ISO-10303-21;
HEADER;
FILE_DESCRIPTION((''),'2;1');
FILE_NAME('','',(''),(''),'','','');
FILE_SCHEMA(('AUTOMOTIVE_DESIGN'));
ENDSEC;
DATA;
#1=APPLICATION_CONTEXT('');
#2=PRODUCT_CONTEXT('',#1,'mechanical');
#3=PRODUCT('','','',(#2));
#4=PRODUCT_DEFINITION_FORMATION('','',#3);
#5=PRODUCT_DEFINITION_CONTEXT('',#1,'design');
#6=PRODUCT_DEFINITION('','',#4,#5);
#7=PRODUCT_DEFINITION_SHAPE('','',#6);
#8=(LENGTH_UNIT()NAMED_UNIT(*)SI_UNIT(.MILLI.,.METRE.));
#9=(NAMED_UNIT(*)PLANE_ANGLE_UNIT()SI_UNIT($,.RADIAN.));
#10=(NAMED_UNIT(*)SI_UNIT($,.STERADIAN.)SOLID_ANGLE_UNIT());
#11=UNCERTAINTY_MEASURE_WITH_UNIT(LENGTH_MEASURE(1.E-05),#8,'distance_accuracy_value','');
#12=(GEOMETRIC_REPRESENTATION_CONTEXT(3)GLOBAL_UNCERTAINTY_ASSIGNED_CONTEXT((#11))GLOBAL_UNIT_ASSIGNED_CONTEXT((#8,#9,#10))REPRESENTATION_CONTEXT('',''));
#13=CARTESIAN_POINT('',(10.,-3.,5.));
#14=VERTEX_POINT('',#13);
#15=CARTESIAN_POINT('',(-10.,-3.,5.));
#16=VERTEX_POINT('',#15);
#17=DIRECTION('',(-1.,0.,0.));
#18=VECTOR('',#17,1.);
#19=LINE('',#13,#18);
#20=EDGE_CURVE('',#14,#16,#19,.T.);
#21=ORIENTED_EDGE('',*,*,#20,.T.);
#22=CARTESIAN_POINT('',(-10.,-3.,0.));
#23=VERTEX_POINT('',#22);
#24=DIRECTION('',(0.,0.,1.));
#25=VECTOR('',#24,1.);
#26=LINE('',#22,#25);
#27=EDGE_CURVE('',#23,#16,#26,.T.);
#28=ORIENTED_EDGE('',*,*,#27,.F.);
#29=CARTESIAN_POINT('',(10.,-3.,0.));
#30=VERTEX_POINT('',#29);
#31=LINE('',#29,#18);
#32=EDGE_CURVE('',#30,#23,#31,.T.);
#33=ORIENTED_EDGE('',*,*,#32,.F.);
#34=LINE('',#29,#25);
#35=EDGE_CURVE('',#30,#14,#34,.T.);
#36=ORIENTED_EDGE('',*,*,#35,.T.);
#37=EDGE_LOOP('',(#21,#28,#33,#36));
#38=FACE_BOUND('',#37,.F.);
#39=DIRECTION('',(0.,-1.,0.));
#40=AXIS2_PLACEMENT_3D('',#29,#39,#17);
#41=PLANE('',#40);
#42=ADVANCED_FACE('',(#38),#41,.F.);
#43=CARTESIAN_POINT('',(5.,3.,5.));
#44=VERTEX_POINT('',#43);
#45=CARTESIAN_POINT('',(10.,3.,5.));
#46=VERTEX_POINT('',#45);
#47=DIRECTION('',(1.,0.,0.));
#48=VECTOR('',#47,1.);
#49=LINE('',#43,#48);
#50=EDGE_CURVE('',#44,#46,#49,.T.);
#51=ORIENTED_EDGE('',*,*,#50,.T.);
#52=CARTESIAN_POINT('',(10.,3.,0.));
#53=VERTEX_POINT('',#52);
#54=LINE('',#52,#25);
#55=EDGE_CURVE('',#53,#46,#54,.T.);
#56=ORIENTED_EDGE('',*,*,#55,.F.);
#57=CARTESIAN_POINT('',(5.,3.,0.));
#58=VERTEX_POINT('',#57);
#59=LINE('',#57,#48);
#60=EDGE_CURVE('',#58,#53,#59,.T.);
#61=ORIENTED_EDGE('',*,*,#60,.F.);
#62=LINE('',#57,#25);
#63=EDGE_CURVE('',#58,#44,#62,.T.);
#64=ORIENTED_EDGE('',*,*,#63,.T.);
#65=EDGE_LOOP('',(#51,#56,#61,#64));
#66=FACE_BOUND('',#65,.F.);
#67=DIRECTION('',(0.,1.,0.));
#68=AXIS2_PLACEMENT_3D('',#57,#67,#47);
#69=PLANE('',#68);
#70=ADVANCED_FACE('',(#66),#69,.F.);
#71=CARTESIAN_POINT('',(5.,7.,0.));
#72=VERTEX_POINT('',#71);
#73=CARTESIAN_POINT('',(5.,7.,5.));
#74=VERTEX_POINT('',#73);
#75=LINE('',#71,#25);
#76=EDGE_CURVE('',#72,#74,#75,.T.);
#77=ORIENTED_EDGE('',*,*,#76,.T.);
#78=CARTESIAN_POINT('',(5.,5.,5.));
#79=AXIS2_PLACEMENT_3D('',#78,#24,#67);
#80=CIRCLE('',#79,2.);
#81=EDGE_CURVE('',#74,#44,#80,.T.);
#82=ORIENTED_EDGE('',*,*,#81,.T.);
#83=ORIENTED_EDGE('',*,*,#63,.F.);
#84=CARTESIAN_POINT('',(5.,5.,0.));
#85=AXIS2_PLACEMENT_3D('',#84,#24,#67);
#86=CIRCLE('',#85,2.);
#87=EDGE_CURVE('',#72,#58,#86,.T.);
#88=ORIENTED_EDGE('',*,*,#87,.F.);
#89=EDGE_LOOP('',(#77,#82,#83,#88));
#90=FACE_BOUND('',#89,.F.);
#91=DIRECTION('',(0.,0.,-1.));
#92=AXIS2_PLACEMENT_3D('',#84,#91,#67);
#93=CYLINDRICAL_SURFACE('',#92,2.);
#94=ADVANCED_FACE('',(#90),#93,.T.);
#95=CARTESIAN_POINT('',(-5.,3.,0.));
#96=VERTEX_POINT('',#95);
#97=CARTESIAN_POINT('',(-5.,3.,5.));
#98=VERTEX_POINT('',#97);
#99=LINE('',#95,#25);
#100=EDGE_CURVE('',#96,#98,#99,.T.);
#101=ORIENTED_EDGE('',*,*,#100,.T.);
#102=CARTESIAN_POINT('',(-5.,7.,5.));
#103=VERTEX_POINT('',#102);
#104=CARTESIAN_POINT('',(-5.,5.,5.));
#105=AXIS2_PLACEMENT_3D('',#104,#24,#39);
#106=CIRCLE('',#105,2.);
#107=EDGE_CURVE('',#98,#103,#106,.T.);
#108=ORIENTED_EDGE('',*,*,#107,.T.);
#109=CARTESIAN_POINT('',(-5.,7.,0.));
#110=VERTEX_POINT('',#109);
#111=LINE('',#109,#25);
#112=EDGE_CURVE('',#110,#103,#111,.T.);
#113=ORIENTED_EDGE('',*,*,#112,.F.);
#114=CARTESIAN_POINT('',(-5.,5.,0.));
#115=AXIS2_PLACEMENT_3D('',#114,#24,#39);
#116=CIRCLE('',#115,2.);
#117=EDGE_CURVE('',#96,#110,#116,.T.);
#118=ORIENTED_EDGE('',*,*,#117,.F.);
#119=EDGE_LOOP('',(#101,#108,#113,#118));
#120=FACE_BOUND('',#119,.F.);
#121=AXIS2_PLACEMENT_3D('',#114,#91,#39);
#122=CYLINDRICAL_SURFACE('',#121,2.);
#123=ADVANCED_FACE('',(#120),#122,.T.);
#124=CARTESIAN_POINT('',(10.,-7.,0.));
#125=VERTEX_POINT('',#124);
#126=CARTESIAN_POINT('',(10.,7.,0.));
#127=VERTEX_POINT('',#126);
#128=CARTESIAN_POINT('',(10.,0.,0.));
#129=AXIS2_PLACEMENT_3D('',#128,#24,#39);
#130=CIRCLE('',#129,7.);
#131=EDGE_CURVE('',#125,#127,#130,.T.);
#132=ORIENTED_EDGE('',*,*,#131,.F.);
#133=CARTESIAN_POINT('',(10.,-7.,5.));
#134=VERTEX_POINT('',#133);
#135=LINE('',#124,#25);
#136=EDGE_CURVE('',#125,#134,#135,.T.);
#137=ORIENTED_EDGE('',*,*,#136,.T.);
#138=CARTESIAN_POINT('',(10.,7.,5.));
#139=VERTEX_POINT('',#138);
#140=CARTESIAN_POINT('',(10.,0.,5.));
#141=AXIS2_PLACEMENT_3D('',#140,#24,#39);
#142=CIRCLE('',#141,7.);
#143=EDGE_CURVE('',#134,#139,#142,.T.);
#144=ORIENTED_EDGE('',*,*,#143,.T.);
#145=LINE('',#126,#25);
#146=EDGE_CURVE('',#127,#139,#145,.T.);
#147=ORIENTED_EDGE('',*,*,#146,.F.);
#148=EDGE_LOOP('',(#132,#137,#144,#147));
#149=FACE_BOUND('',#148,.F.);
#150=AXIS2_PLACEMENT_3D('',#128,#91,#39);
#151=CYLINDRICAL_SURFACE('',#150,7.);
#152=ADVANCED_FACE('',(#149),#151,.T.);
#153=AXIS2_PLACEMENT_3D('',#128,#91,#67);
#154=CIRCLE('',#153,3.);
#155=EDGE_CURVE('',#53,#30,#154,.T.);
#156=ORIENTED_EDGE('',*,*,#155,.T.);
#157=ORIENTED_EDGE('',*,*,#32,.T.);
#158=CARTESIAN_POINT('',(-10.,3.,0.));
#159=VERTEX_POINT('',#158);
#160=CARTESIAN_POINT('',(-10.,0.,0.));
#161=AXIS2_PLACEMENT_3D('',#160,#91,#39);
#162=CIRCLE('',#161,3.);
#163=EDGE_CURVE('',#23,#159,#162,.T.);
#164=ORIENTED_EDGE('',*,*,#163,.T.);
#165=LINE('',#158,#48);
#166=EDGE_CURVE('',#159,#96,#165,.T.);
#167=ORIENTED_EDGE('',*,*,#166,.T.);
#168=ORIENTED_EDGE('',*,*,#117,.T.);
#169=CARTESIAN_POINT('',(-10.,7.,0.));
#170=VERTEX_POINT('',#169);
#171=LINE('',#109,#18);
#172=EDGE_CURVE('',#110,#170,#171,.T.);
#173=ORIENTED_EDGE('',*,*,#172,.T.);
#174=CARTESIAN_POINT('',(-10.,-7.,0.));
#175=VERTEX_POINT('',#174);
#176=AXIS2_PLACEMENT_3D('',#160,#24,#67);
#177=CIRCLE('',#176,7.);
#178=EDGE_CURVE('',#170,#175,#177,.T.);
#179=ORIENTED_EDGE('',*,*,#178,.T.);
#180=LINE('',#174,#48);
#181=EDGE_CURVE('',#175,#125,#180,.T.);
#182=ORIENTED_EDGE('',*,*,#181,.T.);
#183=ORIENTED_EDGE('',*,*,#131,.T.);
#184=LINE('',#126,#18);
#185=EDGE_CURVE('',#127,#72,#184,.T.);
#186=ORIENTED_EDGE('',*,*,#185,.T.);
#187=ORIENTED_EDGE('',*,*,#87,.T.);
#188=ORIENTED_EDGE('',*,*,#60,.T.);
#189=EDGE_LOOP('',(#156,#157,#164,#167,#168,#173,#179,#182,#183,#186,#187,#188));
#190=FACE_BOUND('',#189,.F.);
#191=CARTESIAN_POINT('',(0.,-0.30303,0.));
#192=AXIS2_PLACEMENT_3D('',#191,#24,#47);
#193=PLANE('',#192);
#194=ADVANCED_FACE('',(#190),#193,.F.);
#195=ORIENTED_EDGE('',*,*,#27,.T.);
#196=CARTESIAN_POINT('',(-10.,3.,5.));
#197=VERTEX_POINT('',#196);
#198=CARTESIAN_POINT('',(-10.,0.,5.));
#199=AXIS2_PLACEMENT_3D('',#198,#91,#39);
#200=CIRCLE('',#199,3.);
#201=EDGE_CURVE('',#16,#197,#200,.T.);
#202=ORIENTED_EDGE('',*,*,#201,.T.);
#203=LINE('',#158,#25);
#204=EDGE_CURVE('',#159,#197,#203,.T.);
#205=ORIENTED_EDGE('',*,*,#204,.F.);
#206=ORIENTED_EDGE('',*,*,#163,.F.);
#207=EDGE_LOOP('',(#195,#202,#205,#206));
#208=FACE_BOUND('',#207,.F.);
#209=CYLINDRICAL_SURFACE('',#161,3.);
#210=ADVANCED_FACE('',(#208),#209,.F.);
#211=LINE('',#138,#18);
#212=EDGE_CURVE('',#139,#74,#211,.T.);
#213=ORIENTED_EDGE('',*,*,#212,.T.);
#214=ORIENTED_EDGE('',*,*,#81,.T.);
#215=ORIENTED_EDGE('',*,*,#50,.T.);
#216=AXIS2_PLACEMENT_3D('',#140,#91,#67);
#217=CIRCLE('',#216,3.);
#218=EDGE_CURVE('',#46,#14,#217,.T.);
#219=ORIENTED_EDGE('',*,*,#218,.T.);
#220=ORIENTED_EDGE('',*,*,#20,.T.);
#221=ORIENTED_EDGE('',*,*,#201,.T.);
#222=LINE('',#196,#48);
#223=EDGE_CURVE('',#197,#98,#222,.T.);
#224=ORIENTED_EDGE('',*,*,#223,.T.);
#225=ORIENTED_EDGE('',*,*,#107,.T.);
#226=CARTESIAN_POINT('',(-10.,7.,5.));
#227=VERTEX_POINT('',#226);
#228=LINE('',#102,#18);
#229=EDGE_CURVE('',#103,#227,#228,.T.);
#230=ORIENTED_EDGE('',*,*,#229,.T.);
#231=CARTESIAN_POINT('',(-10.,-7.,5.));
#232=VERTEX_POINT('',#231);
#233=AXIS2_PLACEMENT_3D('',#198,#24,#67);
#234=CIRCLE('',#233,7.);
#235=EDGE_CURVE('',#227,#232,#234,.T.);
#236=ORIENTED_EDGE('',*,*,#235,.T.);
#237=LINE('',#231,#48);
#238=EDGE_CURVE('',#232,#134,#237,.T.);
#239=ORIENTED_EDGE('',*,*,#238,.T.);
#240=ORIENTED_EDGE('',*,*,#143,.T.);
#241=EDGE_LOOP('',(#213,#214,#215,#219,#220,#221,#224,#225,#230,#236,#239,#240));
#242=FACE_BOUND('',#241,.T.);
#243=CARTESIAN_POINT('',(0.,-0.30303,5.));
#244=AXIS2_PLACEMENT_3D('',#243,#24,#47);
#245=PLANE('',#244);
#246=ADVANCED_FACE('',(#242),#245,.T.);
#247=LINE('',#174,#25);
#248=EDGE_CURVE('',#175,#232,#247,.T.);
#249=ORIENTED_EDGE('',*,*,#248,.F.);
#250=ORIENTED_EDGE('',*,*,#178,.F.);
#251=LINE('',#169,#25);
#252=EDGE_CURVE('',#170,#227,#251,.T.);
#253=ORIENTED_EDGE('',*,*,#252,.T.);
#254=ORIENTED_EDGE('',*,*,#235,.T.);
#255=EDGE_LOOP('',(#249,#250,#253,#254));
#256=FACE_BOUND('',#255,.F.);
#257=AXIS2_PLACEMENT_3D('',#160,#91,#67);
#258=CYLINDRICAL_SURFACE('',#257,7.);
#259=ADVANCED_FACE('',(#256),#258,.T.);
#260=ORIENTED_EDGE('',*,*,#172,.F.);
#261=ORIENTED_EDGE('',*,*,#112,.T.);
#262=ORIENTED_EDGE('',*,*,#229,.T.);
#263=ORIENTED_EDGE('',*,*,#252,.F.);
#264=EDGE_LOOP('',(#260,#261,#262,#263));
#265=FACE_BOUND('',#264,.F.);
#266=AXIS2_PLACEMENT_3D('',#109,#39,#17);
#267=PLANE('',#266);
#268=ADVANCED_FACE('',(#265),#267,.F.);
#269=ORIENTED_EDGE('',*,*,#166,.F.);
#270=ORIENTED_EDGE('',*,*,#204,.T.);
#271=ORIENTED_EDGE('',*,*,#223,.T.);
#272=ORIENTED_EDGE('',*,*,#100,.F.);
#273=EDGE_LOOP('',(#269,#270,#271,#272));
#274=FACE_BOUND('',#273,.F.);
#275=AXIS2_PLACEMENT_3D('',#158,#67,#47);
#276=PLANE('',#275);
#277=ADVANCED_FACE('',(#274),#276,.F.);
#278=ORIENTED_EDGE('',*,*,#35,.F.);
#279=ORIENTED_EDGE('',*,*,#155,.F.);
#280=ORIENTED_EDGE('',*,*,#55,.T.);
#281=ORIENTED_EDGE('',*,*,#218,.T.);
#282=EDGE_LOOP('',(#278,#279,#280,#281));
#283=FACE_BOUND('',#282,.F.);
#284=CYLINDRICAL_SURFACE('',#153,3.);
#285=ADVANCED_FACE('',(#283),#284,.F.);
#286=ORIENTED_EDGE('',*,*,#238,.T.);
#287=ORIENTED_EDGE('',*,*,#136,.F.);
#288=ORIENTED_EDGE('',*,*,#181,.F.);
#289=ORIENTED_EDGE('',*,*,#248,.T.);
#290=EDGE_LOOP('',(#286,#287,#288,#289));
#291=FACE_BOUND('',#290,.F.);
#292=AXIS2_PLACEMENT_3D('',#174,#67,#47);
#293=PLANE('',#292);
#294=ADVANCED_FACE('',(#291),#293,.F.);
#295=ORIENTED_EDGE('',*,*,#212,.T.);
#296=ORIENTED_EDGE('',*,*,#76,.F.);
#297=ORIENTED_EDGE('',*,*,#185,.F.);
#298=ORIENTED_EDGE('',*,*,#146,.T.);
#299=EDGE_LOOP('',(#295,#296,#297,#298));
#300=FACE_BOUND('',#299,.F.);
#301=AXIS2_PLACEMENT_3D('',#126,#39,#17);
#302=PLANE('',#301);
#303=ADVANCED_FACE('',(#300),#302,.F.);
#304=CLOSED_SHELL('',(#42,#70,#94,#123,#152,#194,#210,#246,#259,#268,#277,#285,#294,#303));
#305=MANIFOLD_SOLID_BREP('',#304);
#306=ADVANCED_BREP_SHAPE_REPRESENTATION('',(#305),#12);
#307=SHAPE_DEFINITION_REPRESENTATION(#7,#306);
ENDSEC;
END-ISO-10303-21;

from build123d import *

# Parameters (mm, degrees)
F1_DEPTH = 5


with BuildPart() as f1:
    # F0 (on Top) → F1 (new body)
    with BuildSketch(Plane.XY):
        with BuildLine():
            Line((10, -3), (-10, -3))
            ThreePointArc((-10, -3), (-13, 0), (-10, 3))
            Line((-10, 3), (-5, 3))
            ThreePointArc((-5, 3), (-3, 5), (-5, 7))
            Line((-5, 7), (-10, 7))
            ThreePointArc((-10, 7), (-17, 0), (-10, -7))
            Line((-10, -7), (10, -7))
            ThreePointArc((10, -7), (17, 0), (10, 7))
            Line((10, 7), (5, 7))
            ThreePointArc((5, 7), (3, 5), (5, 3))
            Line((5, 3), (10, 3))
            ThreePointArc((10, 3), (13, 0), (10, -3))
        make_face()
    extrude(amount=F1_DEPTH)


solid = f1.part
